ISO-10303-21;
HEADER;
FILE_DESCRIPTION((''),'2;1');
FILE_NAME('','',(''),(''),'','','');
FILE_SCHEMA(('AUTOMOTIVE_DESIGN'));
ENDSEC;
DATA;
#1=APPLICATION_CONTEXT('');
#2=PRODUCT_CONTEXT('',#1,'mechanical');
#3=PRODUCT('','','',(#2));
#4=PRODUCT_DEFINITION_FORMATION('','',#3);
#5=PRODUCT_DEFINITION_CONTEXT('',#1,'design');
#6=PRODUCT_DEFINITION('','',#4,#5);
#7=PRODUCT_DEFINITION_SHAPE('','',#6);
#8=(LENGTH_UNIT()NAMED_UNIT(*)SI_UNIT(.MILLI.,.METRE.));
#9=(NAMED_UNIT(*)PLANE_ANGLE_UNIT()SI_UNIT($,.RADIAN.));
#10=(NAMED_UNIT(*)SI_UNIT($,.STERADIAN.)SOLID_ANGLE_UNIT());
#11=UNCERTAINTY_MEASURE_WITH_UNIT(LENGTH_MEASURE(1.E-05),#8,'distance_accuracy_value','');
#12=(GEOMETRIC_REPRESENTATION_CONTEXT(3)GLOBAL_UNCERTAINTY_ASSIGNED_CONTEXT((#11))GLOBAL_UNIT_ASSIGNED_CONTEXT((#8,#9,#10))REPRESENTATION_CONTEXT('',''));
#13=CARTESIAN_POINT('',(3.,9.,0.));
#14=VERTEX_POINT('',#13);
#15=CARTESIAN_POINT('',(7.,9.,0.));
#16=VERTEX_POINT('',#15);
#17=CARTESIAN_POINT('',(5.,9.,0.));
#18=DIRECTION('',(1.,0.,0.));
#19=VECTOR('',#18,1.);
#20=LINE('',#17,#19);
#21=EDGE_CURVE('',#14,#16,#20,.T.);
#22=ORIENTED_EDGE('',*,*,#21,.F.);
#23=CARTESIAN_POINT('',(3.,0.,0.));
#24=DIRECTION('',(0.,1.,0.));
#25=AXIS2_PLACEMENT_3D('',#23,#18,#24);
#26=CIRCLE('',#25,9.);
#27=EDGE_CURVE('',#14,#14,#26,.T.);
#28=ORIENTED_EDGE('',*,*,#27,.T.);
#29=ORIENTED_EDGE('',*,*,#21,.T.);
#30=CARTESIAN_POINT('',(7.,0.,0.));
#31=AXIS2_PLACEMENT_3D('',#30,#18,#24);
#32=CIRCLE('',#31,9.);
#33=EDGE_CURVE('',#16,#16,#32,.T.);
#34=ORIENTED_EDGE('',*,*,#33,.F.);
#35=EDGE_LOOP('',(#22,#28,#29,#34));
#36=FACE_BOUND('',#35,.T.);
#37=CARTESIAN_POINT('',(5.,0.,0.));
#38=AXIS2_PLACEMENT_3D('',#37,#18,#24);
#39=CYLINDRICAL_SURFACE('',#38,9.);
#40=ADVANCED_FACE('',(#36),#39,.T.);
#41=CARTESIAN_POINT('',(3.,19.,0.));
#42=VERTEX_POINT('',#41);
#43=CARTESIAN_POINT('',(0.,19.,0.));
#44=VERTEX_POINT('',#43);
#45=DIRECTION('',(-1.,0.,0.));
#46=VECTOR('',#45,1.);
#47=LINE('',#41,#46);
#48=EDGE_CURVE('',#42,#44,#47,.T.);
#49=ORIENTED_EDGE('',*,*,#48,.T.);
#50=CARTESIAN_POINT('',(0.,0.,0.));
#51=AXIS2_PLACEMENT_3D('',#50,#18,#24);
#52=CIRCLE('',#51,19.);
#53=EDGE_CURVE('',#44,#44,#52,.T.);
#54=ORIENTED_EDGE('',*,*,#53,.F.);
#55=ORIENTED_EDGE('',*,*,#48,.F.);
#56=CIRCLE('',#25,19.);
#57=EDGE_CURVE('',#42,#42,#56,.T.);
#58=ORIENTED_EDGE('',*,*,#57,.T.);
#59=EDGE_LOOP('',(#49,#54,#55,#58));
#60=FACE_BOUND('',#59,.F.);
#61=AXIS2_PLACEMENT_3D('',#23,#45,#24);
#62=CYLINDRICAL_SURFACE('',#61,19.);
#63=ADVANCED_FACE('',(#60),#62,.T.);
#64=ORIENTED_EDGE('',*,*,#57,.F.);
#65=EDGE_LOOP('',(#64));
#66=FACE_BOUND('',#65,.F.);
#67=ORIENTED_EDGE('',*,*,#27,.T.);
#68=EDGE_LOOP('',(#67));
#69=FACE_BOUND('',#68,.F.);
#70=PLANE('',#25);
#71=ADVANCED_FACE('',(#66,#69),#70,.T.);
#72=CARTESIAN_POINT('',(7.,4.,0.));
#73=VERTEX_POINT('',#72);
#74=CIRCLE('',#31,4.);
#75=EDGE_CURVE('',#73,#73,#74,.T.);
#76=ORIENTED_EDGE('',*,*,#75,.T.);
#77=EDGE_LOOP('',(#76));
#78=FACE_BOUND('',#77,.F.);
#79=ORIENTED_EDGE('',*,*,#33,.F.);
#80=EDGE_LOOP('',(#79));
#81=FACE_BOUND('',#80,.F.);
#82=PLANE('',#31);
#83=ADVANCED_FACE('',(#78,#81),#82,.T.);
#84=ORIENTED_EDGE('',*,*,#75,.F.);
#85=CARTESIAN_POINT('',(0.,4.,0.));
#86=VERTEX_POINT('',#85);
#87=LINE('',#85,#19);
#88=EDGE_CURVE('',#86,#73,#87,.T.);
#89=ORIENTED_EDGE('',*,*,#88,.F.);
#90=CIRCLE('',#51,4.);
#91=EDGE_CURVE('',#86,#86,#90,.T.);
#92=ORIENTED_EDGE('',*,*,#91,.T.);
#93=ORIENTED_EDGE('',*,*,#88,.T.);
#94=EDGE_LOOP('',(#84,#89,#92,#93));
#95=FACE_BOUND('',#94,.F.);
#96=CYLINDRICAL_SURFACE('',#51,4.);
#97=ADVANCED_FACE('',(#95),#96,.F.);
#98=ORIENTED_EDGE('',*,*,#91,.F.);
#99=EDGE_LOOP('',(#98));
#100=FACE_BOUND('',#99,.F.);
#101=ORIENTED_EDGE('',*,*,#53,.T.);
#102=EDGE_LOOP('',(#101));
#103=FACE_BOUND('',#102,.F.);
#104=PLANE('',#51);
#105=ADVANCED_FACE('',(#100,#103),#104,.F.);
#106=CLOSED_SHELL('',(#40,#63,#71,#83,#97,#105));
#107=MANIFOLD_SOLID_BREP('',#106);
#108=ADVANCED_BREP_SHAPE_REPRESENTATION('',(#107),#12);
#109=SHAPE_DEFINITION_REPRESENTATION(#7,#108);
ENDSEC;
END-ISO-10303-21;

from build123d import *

# Parameters (mm, degrees)
F0_W = 4
F0_H = 5


with BuildPart() as f1:
    # F0 (on Top) → F1 (revolve)
    with BuildSketch(Plane.XY):
        Polygon((3, 19), (0, 19), (0, 4), (3, 4), (3, 9), align=None)
        with Locations((5, 6.5)):
            Rectangle(F0_W, F0_H)
    revolve(axis=Axis((9.390386, 0, 0), (1, 0, 0)))


solid = f1.part
